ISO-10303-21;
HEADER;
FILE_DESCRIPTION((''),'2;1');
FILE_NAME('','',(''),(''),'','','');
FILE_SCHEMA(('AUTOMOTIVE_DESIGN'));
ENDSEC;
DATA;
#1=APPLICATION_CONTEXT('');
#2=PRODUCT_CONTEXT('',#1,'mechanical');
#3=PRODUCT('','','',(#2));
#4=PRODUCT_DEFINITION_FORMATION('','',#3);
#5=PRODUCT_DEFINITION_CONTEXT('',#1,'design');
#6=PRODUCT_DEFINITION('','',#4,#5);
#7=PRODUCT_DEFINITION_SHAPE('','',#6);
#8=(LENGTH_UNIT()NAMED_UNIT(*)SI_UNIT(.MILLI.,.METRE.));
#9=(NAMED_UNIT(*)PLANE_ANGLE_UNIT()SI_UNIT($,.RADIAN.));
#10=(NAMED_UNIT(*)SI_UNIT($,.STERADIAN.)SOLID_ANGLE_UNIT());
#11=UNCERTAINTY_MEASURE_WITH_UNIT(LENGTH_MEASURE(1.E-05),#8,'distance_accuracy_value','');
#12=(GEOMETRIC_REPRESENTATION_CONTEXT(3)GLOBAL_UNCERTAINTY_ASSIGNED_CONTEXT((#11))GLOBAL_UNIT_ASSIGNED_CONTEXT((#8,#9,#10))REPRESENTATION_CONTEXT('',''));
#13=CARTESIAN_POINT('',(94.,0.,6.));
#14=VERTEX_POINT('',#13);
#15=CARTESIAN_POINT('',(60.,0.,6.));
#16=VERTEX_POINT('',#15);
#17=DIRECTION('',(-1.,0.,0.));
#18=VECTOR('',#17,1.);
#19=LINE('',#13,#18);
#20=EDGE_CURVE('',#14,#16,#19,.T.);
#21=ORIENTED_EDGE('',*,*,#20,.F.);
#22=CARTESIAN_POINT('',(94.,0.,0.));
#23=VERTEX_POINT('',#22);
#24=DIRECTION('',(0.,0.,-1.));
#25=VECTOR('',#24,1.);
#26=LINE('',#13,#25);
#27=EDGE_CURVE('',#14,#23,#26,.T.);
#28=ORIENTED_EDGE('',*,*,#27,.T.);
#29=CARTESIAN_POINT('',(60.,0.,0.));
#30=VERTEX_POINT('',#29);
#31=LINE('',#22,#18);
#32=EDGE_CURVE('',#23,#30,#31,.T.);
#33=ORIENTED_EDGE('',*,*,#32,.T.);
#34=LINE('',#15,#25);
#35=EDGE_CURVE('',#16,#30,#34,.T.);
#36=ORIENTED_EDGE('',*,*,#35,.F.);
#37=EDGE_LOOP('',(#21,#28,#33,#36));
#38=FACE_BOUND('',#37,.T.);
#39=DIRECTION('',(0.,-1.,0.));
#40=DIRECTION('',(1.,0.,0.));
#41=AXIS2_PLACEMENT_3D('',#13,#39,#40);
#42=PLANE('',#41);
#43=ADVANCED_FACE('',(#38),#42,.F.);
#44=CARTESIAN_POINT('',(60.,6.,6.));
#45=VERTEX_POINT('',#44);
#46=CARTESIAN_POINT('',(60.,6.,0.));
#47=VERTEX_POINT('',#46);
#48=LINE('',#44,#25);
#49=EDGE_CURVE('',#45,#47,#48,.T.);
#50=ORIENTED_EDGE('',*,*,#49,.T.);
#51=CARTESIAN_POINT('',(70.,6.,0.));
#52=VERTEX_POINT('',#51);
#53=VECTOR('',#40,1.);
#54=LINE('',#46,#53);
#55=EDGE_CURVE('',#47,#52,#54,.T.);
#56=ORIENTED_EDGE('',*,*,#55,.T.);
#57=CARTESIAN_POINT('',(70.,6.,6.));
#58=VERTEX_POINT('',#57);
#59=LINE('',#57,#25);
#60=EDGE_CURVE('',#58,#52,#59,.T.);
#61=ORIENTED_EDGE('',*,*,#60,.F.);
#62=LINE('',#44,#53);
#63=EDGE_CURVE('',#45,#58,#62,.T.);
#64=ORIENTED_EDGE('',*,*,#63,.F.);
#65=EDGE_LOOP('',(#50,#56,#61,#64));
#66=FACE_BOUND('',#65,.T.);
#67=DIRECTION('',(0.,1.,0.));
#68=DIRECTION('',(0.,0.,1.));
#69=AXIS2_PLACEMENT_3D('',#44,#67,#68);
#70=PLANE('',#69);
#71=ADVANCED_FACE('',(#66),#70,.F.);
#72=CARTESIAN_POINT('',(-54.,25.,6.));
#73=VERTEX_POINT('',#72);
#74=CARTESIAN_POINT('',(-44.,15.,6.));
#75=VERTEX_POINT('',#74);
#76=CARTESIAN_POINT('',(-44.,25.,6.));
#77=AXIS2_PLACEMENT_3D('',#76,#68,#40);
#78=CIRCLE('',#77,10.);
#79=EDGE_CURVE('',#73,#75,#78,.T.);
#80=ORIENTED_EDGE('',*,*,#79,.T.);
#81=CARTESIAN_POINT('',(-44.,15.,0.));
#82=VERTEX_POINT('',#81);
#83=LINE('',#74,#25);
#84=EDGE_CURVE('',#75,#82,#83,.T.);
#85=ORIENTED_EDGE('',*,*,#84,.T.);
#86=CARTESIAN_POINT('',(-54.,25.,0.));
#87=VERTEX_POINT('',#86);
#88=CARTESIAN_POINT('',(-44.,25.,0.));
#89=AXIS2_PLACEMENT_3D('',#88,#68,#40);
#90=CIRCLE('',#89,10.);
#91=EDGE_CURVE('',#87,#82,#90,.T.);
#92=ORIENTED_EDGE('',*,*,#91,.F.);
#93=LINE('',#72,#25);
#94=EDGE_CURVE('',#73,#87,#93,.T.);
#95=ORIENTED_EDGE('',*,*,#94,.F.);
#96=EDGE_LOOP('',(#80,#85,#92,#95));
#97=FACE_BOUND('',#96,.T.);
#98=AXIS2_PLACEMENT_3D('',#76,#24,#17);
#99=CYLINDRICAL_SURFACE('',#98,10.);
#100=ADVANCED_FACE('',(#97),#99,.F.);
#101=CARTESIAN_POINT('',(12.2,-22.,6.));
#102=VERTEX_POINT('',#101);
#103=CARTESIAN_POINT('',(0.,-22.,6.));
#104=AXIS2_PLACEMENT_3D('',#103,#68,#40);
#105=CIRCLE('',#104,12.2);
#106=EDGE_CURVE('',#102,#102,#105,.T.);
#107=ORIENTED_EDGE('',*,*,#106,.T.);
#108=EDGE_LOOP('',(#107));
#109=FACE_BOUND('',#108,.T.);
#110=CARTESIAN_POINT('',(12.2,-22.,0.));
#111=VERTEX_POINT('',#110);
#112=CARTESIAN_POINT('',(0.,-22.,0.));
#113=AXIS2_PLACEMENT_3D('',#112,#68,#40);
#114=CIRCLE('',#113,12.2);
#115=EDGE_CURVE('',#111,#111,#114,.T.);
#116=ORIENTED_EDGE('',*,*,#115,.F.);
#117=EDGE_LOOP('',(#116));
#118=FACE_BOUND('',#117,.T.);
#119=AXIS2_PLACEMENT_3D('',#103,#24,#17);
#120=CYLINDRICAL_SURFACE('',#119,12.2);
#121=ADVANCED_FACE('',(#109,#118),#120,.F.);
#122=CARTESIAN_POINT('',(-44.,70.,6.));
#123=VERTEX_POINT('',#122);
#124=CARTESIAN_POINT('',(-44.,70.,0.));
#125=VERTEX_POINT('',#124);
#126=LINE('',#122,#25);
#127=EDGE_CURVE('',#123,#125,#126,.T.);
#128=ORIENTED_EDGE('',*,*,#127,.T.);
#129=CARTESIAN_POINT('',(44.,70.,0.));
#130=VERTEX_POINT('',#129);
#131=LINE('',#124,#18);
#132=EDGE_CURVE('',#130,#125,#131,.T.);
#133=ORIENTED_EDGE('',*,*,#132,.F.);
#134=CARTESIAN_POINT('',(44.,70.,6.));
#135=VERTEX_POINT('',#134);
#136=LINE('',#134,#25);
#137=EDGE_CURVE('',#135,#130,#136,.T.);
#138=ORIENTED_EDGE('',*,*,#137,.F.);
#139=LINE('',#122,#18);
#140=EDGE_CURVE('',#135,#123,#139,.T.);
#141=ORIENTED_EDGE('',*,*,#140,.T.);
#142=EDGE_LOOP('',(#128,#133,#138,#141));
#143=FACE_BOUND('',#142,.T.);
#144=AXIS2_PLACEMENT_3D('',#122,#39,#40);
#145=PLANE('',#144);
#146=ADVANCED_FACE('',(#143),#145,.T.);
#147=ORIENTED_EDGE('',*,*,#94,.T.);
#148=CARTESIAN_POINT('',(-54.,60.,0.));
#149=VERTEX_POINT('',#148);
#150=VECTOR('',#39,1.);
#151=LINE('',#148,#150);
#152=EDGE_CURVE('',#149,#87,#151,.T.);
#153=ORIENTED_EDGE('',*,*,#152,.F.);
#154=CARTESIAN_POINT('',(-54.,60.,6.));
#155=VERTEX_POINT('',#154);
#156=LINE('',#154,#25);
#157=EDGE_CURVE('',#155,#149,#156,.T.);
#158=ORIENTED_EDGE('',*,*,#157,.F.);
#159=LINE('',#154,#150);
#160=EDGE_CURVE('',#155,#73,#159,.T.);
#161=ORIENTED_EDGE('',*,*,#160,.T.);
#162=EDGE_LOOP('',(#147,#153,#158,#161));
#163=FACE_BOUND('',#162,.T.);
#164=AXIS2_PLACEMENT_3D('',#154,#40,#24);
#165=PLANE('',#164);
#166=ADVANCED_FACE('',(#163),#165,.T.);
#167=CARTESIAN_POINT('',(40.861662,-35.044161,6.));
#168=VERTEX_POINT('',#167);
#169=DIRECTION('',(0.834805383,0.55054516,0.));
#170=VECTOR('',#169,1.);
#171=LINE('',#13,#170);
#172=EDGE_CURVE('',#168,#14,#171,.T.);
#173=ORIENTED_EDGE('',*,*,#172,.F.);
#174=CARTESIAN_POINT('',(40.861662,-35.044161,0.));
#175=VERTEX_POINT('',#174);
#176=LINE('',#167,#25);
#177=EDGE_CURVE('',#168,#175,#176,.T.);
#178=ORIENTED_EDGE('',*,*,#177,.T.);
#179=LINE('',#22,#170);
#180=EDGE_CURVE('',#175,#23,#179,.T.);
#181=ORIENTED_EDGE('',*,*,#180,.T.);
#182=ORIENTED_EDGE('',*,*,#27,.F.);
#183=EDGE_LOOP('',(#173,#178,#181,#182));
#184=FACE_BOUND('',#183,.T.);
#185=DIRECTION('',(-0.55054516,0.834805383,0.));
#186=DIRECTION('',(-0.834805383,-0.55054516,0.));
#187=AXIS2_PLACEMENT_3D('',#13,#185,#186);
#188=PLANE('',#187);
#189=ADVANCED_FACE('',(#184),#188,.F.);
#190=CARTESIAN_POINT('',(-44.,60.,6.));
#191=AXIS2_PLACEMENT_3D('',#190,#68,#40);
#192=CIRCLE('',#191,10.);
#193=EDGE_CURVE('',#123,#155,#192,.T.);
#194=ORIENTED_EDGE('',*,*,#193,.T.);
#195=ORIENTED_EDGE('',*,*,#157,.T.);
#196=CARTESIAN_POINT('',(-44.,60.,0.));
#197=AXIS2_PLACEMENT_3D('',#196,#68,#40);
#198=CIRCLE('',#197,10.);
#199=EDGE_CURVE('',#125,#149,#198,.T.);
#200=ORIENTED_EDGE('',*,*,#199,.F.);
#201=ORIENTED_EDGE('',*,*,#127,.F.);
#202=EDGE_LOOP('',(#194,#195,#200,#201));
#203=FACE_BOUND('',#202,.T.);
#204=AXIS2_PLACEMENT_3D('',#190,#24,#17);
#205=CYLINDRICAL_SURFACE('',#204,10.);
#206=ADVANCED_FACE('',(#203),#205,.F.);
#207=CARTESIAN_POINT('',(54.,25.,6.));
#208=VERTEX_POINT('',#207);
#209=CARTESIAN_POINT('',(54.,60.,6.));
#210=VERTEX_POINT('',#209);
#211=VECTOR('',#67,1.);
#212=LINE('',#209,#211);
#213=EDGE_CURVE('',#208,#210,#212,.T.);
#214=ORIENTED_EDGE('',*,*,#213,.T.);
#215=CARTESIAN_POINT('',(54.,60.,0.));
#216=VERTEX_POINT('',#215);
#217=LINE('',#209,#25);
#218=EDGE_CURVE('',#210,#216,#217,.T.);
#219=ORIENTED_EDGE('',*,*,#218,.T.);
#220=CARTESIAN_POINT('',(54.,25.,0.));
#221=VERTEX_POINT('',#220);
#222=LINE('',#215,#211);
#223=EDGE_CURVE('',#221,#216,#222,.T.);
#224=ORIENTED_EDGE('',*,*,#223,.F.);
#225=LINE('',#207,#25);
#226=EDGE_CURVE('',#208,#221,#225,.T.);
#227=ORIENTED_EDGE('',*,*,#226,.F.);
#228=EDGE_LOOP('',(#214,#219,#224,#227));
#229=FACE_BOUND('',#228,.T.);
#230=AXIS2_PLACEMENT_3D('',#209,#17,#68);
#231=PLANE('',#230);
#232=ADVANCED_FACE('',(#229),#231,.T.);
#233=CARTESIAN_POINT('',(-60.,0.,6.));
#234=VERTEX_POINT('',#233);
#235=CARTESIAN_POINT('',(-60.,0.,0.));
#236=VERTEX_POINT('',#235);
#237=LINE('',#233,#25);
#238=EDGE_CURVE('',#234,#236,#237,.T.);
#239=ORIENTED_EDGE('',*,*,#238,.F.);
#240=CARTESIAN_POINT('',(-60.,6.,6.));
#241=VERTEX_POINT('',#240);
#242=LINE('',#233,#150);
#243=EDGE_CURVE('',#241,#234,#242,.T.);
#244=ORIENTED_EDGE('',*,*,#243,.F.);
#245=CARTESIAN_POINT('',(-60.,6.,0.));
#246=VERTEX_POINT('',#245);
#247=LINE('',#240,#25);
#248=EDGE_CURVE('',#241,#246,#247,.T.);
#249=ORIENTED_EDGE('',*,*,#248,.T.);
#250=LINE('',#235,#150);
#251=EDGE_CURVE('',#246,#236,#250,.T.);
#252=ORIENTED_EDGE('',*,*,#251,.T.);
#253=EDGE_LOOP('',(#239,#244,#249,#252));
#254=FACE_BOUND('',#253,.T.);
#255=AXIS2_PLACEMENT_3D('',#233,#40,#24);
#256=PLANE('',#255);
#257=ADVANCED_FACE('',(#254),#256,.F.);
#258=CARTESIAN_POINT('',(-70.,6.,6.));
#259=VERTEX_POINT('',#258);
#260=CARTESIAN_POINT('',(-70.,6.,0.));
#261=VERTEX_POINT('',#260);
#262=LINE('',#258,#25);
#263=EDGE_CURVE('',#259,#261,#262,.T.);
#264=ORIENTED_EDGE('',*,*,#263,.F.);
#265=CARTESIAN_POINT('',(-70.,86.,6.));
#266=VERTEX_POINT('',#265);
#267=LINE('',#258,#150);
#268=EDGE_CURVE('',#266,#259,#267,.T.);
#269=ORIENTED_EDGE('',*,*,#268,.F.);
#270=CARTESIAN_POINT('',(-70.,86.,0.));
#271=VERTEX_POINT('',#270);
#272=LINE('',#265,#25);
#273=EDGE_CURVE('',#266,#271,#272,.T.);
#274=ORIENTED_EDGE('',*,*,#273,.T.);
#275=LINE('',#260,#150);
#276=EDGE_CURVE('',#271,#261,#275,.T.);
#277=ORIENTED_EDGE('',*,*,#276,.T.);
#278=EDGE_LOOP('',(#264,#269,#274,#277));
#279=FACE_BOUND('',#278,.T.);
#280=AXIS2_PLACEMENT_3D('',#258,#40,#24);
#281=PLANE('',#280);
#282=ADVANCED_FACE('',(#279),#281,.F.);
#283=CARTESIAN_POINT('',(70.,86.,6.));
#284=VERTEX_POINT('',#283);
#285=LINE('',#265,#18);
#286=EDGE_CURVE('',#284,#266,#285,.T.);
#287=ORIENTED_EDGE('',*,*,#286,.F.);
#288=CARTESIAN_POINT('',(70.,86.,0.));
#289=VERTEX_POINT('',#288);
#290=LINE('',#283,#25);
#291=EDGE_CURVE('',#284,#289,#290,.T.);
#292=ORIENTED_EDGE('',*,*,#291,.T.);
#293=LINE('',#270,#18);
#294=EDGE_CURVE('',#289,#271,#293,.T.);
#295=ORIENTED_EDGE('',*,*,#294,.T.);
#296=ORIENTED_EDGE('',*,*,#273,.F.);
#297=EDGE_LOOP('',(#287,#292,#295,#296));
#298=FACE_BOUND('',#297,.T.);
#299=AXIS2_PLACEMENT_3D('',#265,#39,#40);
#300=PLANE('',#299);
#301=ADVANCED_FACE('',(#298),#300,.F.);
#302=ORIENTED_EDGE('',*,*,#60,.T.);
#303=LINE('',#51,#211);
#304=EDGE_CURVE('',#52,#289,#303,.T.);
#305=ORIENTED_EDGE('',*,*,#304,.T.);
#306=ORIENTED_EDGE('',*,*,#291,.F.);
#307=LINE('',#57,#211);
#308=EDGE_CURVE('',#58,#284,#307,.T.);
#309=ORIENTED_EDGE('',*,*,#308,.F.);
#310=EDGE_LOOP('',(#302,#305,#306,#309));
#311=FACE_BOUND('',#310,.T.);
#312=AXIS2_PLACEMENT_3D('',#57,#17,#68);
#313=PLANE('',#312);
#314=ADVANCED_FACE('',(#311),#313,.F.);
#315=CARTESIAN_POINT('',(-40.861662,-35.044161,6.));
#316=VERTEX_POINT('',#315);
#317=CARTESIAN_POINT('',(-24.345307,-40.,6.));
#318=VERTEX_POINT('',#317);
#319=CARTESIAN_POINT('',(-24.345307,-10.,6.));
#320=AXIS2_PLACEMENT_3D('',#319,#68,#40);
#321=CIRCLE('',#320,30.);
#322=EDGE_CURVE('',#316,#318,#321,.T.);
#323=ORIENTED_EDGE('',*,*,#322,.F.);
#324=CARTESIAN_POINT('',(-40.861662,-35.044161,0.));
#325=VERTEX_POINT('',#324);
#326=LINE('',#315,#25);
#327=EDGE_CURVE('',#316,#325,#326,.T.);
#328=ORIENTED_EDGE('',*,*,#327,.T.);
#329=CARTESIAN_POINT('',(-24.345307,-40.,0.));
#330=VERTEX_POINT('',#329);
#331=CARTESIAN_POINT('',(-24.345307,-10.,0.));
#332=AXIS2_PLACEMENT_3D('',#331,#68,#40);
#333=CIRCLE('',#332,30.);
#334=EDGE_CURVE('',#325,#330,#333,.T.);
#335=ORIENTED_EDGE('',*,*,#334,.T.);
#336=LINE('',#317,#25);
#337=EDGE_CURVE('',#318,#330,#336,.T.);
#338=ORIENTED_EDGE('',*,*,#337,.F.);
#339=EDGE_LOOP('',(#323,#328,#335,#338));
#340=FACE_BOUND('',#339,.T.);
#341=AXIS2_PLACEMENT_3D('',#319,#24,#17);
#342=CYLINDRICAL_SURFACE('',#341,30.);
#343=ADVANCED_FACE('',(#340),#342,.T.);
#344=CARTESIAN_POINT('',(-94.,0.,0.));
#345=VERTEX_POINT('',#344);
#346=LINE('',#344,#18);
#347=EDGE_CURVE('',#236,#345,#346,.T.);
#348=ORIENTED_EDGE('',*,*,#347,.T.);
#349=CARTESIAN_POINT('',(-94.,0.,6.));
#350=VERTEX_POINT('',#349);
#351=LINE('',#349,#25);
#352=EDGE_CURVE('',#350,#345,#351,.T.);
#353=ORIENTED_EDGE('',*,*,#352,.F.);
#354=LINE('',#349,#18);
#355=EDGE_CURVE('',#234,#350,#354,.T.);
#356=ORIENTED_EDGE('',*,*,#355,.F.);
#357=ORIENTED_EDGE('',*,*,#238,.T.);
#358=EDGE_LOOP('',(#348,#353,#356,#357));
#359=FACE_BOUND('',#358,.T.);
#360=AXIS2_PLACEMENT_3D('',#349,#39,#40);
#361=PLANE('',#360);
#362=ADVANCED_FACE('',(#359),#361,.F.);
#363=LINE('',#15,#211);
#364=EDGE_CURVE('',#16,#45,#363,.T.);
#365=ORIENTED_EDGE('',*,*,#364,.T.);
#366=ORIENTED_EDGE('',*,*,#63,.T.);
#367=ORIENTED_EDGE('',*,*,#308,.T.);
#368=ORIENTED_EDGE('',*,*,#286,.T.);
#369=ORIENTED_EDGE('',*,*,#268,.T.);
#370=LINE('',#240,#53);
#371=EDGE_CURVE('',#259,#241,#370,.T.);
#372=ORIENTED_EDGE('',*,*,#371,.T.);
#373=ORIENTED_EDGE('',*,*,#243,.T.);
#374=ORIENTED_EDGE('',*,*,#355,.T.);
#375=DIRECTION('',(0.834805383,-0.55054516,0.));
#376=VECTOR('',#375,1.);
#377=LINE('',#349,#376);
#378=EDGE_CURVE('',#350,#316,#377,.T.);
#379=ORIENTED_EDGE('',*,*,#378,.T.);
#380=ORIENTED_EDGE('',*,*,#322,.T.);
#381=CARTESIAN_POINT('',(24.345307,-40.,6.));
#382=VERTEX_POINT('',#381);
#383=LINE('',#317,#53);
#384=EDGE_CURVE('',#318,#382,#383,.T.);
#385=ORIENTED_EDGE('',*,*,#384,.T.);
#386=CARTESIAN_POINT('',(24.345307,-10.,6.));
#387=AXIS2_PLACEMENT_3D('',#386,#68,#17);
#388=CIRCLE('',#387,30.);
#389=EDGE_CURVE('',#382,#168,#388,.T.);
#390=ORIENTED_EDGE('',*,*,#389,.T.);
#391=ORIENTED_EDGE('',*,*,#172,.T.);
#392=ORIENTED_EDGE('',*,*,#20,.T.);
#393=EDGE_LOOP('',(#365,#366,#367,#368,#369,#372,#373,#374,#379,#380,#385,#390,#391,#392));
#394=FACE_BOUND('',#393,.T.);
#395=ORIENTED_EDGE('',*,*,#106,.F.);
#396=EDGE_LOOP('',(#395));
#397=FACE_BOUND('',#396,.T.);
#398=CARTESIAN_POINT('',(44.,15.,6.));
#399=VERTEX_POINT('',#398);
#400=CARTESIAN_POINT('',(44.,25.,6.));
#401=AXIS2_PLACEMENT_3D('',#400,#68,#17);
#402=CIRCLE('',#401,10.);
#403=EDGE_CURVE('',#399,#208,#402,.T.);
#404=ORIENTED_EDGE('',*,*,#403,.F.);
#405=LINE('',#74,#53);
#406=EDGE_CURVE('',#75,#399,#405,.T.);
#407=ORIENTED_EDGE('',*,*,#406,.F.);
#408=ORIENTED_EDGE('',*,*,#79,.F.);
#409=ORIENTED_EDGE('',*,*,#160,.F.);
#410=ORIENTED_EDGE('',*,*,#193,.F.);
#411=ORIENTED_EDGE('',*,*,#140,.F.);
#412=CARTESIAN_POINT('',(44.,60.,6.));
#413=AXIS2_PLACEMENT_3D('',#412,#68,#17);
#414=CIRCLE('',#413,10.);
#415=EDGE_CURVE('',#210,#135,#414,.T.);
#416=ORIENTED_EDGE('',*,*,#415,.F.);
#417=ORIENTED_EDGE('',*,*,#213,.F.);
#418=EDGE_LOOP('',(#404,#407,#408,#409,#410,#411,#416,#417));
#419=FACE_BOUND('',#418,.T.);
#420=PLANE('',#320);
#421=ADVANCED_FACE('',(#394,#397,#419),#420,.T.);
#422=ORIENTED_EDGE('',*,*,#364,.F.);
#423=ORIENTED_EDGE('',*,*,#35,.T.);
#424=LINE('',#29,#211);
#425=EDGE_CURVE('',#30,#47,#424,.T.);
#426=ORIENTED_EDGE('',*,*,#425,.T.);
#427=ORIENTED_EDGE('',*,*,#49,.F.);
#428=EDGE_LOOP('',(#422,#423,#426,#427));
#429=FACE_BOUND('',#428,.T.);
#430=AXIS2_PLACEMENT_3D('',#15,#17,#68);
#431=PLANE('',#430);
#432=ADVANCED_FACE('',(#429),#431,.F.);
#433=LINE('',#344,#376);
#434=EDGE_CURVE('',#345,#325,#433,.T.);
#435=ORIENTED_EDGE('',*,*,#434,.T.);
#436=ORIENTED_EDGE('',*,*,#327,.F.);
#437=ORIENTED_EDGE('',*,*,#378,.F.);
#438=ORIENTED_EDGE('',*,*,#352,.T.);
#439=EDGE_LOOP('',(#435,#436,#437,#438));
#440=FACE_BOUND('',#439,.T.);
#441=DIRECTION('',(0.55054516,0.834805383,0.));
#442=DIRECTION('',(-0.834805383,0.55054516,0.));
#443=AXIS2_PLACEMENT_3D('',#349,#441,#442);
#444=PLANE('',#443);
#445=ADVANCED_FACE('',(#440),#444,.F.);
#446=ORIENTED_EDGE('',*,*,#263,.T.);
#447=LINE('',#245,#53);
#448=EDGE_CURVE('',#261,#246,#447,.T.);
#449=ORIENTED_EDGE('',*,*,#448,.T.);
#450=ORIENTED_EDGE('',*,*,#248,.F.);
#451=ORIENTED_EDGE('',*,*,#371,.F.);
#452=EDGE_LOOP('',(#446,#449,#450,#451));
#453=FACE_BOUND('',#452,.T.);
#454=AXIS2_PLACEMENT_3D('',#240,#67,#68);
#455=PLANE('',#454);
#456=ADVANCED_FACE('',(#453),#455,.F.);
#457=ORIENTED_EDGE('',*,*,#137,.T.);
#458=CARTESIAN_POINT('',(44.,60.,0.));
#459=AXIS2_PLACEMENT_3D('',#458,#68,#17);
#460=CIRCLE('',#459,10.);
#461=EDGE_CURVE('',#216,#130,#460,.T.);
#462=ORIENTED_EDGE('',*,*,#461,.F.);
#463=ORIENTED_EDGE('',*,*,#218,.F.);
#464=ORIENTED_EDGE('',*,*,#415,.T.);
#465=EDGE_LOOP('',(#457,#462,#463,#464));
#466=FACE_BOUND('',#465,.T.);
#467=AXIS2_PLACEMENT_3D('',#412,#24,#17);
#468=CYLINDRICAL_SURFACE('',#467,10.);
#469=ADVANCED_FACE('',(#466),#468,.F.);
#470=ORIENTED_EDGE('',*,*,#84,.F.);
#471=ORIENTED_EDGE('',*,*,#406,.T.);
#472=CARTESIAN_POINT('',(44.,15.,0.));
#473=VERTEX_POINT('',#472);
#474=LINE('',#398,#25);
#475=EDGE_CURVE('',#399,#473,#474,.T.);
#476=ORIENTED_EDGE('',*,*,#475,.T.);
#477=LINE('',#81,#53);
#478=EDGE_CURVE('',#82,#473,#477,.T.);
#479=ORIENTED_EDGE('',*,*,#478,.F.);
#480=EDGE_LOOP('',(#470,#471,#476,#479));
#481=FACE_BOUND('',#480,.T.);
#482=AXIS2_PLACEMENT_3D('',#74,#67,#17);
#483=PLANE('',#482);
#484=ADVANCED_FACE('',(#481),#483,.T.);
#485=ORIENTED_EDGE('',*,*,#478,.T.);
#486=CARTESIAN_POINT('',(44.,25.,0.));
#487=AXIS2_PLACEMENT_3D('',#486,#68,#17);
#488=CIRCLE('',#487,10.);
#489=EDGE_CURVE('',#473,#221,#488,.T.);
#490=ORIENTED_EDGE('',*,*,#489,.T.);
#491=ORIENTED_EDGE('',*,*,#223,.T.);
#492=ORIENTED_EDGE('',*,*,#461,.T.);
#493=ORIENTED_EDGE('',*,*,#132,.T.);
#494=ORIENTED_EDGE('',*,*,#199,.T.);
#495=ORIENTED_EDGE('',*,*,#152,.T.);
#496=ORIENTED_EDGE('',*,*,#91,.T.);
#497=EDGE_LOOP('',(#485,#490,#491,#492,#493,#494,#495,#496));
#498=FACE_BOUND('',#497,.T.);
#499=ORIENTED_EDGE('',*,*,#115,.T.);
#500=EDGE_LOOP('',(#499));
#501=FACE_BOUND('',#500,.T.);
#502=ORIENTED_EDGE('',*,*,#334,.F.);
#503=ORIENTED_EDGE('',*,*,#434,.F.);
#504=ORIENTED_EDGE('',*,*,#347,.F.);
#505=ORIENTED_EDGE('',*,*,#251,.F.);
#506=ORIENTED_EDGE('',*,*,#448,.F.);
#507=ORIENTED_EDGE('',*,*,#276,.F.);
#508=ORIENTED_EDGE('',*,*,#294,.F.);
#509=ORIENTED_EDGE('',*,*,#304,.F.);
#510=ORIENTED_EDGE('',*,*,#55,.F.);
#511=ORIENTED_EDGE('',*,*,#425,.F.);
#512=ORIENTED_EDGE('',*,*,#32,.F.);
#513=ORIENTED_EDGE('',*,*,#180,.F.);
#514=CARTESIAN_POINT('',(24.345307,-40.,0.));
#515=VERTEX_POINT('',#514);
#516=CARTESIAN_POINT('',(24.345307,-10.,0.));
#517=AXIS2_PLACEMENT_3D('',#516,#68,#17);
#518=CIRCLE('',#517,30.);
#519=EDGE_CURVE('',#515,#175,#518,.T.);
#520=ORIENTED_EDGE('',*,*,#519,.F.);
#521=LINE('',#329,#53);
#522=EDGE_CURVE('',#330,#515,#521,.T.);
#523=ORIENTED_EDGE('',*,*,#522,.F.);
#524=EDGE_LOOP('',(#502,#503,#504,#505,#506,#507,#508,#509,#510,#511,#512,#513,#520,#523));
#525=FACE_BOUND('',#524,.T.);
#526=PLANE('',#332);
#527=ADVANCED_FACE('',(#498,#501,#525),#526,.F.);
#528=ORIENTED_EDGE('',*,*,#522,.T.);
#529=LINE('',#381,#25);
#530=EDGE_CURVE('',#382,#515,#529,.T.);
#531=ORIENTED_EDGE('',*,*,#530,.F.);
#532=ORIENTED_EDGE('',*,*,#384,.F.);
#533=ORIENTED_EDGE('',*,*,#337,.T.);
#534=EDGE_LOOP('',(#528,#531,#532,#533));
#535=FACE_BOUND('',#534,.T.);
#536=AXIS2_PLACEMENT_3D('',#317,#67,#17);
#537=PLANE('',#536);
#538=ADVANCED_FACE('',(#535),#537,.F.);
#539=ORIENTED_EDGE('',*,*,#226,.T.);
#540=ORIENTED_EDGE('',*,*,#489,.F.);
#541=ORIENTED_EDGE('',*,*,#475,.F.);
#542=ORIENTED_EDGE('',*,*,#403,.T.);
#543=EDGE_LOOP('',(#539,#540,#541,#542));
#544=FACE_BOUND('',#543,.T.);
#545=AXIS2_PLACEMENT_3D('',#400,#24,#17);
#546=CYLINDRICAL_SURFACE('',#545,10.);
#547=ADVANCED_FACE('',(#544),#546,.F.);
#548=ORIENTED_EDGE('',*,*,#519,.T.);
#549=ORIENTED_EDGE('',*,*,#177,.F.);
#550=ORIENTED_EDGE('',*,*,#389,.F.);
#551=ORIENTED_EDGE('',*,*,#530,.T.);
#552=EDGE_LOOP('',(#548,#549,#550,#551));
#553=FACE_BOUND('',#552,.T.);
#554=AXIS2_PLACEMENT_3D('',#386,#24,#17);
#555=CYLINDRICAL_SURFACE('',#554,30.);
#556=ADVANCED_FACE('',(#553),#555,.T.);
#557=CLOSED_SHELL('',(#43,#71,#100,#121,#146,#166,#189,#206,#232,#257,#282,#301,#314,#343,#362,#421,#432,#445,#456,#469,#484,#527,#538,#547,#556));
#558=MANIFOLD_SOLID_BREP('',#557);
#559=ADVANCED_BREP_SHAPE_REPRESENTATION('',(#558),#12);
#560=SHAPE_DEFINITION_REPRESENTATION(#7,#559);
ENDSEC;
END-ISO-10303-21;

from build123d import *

# Parameters (mm, degrees)
ESBO_O1_R                = 12.2
RESSALTO_EXTRUS_O1_DEPTH = 6


with BuildPart() as part:
    # Esboço1 → Ressalto-extrusão1 (new body)
    with BuildSketch(Plane.XY):
        with BuildLine():
            Line((-94, 0), (-60, 0))
            Line((-60, 0), (-60, 6))
            Line((-60, 6), (-70, 6))
            Line((-70, 6), (-70, 86))
            Line((-70, 86), (70, 86))
            Line((70, 86), (70, 6))
            Line((70, 6), (60, 6))
            Line((60, 6), (60, 0))
            Line((60, 0), (94, 0))
            Line((94, 0), (40.861662232, -35.044161486))
            ThreePointArc((40.861662232, -35.044161486), (32.967231691, -38.734342211), (24.345307444, -40))
            Line((24.345307444, -40), (-24.345307444, -40))
            ThreePointArc((-24.345307444, -40), (-32.967231691, -38.734342211), (-40.861662232, -35.044161486))
            Line((-40.861662232, -35.044161486), (-94, 0))
        make_face()
        with Locations((0, -22)):
            Circle(ESBO_O1_R, mode=Mode.SUBTRACT)
        with BuildLine():
            Line((54, 60), (54, 25))
            ThreePointArc((54, 25), (51.071067812, 17.928932188), (44, 15))
            Line((44, 15), (-44, 15))
            ThreePointArc((-44, 15), (-51.071067812, 17.928932188), (-54, 25))
            Line((-54, 25), (-54, 60))
            ThreePointArc((-54, 60), (-51.071067812, 67.071067812), (-44, 70))
            Line((-44, 70), (44, 70))
            ThreePointArc((44, 70), (51.071067812, 67.071067812), (54, 60))
        make_face(mode=Mode.SUBTRACT)
    extrude(amount=RESSALTO_EXTRUS_O1_DEPTH)


solid = part.part
